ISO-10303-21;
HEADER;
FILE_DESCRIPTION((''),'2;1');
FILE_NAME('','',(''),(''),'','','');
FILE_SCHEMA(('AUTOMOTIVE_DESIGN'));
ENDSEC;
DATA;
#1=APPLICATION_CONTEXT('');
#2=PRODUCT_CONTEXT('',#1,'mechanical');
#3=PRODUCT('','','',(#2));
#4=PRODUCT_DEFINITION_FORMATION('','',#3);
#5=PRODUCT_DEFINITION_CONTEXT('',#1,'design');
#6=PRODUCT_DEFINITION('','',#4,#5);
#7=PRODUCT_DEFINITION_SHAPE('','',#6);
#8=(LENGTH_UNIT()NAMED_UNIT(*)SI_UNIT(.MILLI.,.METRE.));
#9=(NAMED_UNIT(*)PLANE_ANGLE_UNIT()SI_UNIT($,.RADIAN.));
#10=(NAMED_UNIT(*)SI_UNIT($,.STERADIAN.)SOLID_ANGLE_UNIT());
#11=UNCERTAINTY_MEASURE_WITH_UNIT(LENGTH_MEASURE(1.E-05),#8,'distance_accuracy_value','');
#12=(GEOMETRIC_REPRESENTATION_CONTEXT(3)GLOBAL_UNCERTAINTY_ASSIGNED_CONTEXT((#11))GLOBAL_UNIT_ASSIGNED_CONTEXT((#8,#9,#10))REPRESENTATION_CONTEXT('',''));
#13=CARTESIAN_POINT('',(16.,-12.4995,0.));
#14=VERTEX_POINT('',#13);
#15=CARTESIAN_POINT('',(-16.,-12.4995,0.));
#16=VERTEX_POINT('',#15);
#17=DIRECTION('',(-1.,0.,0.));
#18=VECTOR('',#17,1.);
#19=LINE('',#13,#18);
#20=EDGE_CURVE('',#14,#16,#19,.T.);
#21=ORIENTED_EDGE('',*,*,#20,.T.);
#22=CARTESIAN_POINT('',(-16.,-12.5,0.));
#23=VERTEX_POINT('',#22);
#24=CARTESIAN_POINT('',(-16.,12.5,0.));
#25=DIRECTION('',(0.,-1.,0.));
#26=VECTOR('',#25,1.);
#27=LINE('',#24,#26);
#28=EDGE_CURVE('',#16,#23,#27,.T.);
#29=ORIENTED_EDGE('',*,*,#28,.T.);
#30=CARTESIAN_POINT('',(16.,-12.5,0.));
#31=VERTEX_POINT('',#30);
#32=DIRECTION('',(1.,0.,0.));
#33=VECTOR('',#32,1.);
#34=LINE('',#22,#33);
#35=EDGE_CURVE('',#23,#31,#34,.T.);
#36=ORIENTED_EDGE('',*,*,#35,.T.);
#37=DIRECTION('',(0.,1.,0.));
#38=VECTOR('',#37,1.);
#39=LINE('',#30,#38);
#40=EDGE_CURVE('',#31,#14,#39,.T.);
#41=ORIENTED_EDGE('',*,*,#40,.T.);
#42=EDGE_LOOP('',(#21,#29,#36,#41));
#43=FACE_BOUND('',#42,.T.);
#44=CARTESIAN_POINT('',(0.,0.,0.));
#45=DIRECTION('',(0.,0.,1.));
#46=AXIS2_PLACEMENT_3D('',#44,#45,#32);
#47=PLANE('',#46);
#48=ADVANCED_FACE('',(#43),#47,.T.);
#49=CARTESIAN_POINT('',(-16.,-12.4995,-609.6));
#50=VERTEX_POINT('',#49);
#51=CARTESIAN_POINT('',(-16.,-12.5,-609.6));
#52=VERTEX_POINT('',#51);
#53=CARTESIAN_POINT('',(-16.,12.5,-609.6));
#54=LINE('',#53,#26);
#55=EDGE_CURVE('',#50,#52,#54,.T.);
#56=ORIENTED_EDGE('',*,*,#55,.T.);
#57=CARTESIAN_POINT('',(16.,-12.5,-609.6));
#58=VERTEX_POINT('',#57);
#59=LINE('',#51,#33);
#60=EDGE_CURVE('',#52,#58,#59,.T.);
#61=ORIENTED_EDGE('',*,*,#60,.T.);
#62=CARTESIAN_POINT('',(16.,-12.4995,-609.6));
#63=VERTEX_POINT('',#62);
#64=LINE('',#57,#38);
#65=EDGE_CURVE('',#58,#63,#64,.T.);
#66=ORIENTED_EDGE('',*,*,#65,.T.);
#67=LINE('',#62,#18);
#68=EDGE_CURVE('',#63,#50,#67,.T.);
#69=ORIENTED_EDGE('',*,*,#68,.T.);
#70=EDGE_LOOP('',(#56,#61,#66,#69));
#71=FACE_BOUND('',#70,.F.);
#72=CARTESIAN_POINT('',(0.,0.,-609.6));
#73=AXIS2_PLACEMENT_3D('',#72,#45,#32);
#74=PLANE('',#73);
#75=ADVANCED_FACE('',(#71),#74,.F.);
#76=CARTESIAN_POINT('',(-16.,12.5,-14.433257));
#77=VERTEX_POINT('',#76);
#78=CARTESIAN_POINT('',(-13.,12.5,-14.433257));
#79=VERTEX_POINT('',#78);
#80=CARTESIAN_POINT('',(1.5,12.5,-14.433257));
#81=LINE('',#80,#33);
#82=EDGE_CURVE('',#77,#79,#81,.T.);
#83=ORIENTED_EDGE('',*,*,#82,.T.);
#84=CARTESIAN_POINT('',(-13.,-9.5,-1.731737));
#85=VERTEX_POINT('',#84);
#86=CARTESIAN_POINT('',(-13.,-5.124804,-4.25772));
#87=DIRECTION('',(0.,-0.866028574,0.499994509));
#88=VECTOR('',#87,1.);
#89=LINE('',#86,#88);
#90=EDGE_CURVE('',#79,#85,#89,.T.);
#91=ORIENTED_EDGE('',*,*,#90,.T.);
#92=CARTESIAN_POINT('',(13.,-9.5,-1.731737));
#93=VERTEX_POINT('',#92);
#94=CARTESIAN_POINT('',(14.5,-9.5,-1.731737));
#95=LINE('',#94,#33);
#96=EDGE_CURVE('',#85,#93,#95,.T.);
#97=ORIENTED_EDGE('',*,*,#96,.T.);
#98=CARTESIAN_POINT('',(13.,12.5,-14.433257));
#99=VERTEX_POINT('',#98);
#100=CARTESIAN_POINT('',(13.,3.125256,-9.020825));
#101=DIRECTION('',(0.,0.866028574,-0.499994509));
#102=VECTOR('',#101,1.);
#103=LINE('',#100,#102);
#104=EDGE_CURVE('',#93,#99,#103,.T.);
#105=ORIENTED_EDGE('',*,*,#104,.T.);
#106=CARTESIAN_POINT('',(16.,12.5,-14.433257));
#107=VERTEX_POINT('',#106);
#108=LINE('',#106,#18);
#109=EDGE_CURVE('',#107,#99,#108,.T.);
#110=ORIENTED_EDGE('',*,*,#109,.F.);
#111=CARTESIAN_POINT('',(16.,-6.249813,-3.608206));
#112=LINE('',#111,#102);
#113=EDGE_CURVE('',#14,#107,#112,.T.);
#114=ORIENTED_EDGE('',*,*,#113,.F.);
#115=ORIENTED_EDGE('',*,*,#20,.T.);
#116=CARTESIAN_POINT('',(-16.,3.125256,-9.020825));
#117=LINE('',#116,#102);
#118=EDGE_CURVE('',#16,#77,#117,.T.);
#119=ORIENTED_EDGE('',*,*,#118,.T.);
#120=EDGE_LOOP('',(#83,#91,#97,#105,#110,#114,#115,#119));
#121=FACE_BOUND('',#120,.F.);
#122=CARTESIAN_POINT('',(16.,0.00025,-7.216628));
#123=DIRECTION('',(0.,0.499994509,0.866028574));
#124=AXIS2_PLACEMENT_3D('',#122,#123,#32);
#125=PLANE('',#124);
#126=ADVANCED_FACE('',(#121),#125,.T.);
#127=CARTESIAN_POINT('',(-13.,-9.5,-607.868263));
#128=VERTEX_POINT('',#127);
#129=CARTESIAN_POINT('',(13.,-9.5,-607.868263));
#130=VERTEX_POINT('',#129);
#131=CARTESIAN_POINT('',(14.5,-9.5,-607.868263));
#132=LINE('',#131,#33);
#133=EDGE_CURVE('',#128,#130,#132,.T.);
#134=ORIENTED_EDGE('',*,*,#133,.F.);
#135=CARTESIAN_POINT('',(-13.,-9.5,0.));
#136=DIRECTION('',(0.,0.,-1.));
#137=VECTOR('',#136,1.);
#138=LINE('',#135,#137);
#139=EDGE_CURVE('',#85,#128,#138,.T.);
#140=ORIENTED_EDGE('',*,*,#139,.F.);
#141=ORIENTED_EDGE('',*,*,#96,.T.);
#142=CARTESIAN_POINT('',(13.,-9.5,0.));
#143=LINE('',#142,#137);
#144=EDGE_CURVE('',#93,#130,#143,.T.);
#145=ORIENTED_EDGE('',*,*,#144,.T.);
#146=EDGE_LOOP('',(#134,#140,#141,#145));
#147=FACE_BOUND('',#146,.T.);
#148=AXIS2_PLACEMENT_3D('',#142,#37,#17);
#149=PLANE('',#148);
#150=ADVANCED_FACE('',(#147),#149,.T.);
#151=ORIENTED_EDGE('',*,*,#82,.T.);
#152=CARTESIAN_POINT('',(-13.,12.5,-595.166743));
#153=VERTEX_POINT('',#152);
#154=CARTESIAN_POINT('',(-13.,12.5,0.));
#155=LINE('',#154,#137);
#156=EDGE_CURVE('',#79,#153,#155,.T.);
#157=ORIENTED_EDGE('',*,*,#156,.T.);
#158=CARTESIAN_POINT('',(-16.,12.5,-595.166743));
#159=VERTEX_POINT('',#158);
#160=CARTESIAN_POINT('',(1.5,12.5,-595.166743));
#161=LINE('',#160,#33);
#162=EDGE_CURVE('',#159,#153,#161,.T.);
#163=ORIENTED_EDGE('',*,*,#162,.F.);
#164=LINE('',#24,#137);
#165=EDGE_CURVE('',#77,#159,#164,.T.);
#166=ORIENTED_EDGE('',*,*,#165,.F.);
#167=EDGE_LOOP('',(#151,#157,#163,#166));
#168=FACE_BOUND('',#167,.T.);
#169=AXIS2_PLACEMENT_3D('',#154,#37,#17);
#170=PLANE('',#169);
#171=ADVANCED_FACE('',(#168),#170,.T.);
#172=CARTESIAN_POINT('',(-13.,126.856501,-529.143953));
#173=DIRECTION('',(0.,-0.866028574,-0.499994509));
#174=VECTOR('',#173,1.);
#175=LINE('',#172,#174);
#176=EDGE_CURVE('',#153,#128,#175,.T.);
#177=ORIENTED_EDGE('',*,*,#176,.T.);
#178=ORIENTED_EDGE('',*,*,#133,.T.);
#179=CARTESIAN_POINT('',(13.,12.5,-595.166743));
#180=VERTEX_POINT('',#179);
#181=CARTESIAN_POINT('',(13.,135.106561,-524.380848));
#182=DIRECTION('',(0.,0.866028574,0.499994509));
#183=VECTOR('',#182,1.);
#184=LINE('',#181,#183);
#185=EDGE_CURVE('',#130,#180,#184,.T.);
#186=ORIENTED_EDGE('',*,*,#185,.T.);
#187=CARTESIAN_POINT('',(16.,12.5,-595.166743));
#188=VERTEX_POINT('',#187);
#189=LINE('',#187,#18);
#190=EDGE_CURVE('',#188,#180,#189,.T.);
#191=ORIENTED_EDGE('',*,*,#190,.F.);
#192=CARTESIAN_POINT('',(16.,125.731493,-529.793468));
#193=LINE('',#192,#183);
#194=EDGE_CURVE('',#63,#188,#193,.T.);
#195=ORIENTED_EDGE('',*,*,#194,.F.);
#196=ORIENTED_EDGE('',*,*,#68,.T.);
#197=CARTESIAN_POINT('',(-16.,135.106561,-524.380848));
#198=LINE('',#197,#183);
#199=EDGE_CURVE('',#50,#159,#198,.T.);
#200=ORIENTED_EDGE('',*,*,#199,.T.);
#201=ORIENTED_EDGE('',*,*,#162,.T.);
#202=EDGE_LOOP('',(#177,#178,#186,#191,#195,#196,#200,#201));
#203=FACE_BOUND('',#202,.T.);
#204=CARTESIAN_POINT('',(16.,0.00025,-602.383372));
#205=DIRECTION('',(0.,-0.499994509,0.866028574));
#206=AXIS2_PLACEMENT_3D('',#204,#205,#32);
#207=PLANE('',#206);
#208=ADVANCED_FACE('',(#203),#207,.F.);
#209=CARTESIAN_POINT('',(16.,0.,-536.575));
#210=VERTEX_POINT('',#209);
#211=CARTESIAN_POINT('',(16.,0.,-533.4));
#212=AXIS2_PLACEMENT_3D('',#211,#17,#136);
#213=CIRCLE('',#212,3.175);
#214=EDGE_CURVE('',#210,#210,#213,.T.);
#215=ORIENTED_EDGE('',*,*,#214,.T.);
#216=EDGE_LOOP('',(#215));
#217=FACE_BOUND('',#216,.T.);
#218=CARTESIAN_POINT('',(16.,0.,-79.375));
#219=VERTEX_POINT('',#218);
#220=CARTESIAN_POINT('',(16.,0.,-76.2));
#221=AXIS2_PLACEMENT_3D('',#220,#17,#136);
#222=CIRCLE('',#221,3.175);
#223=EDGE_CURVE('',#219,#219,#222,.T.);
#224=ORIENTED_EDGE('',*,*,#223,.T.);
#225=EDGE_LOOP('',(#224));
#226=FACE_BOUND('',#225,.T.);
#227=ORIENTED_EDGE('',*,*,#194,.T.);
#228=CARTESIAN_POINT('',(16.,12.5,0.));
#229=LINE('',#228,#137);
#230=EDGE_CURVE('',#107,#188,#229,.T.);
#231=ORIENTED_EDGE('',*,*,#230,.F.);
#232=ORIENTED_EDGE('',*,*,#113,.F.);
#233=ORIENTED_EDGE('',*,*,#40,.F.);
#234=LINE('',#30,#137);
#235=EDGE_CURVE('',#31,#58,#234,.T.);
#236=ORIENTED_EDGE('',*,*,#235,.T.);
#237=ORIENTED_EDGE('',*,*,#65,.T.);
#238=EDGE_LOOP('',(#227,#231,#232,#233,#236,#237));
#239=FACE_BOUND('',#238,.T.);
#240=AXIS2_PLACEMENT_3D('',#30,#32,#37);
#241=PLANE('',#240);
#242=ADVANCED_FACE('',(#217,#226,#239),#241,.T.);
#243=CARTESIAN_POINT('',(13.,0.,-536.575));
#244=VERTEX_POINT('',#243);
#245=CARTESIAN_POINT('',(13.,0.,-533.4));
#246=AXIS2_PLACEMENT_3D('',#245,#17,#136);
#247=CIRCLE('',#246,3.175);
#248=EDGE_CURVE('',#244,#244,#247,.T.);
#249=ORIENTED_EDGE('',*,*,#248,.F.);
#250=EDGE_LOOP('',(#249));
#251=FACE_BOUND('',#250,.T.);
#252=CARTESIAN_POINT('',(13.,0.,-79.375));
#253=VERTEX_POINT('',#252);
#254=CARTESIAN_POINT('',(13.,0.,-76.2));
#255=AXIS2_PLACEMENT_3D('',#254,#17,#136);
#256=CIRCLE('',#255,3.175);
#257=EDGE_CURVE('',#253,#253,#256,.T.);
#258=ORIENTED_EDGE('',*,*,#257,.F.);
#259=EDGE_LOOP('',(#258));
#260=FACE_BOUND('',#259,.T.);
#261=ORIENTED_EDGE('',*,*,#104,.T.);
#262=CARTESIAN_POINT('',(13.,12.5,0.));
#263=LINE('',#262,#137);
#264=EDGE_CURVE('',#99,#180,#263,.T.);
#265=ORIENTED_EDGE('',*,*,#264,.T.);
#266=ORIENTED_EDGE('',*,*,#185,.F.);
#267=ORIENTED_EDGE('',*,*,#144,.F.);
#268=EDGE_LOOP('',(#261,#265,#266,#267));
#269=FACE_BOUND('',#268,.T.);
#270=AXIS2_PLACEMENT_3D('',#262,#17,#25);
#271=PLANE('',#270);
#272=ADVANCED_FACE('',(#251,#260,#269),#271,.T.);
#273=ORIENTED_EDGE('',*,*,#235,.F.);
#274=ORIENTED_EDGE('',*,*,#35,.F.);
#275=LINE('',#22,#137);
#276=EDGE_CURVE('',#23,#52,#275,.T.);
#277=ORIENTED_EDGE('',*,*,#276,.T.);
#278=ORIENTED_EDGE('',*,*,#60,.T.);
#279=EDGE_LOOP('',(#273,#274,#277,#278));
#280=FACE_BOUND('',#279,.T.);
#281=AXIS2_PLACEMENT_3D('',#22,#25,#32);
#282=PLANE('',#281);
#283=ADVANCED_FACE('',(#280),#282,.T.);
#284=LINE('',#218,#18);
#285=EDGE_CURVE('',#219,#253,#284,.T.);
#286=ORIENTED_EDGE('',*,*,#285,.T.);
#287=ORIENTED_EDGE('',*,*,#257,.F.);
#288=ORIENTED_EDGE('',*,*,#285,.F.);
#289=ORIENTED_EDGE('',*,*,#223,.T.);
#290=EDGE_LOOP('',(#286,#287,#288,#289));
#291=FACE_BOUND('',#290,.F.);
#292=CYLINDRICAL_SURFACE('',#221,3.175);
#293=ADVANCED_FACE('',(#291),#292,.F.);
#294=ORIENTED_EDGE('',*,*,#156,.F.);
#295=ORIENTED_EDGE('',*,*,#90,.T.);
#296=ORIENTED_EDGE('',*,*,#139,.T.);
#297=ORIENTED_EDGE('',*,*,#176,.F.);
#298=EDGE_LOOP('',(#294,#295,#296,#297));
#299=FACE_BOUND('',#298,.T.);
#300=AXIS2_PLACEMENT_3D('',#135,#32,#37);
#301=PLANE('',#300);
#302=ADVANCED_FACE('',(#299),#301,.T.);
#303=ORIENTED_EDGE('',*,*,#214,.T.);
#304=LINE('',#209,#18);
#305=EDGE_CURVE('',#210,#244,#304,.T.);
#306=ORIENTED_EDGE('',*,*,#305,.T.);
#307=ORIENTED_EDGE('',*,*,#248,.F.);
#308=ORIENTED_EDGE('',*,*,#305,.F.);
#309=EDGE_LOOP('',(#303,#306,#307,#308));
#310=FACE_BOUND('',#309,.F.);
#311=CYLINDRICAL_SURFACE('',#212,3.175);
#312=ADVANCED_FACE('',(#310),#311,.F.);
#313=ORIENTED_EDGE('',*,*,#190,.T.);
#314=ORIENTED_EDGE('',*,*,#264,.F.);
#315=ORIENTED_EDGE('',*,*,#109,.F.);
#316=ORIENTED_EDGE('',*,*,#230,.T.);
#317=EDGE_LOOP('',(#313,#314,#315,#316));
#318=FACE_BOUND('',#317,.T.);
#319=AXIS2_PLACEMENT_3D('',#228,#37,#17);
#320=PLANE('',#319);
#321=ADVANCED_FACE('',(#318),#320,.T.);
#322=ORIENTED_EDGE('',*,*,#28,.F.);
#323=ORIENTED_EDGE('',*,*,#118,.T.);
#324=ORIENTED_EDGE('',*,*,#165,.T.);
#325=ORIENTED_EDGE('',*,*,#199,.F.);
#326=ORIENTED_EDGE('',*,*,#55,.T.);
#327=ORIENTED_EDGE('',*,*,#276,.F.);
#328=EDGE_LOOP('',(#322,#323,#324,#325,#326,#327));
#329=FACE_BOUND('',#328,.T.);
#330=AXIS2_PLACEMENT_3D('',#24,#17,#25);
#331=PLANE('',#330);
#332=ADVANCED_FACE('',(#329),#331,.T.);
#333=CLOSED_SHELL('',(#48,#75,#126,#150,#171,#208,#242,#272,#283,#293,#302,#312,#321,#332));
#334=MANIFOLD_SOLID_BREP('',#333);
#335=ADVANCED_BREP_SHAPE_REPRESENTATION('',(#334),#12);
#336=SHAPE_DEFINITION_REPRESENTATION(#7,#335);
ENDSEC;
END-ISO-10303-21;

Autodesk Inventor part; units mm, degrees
ref_plane "YZ Plane" through (0, 0, 0) normal (1, 0, 0) x (0, 1, 0)
ref_plane "XZ Plane" through (0, 0, 0) normal (0, 1, 0) x (-1, 0, 0)
ref_plane "XY Plane" through (0, 0, 0) normal (0, 0, 1) x (1, 0, 0)
sketch "Sketch1" plane through (0, 0, 0) normal (0, 0, 1) x (1, 0, 0)
  line L0 (-16, -12.5) -> (16, -12.5)
  line L1 (16, -12.5) -> (16, 12.5)
  line L2 (16, 12.5) -> (13, 12.5)
  line L3 (13, 12.5) -> (13, -9.5)
  line L4 (13, -9.5) -> (-13, -9.5)
  line L5 (-13, -9.5) -> (-13, 12.5)
  line L6 (-13, 12.5) -> (-16, 12.5)
  line L7 (-16, 12.5) -> (-16, -12.5)
  point P0 (0, 0)
  dimension "d0" = 32
  dimension "d1" = 25
  dimension "d2" = 3
  dimension "d3" = 90
  dimension "d4" = 22
  dimension "d5" = 26
  dimension "d6" = 22
  dimension "d7" = 3
  dimension "d8" = 25
  dimension "d10" = 12.5
  dimension "d11" = 16
extrude "Extrusion1" add sketch "Sketch1" against normal blind 609.6
chamfer "Chamfer1" distance 25 angle 30 1 edges at (14.5, 12.5, 0) measured on face at (4.3333, -11.5, 0)
chamfer "Chamfer2" distance 25 angle 30 1 edges at (14.5, 12.5, -609.6) measured on face at (4.3333, -11.5, -609.6)
sketch "Sketch3" plane through (16, -12.5, 0) normal (1, 0, 0) x (0, 0, -1)
  line L0 (595.1662, 25) -> (609.6, 0) projected
  line L1 (14.4338, 25) -> (595.1662, 25) projected
  line L2 (0, 0) -> (14.4338, 25) projected
  line L3 (0, 0) -> (609.6, 0) projected
  line L4 (0, 12.5) -> (609.6, 12.5) construction
  line L5 (68.9831, 0) -> (83.4169, 25) construction
  line L6 (526.1831, 25) -> (540.6169, 0) construction
  circle A0 centre (76.2, 12.5) radius 3.175
  circle A1 centre (533.4, 12.5) radius 3.175
  dimension "d62" = 6.35
  dimension "d63" = 6.35
  dimension "d64" = 76.2
  dimension "d65" = 76.2
hole "Hole4" at (16, 0, -76.2) at (16, 0, -533.4) direction (-1, 0, 0) diameter 6.35 depth 3 tip angle 118
equation "\"d5\" = d0 - 2 * d2"
equation "\"d10\" = 0.5 * d1"
equation "\"d11\" = 0.5 * d0"
equation "\"d65\" = d64"
properties part number "Chassis Rear Edge"
